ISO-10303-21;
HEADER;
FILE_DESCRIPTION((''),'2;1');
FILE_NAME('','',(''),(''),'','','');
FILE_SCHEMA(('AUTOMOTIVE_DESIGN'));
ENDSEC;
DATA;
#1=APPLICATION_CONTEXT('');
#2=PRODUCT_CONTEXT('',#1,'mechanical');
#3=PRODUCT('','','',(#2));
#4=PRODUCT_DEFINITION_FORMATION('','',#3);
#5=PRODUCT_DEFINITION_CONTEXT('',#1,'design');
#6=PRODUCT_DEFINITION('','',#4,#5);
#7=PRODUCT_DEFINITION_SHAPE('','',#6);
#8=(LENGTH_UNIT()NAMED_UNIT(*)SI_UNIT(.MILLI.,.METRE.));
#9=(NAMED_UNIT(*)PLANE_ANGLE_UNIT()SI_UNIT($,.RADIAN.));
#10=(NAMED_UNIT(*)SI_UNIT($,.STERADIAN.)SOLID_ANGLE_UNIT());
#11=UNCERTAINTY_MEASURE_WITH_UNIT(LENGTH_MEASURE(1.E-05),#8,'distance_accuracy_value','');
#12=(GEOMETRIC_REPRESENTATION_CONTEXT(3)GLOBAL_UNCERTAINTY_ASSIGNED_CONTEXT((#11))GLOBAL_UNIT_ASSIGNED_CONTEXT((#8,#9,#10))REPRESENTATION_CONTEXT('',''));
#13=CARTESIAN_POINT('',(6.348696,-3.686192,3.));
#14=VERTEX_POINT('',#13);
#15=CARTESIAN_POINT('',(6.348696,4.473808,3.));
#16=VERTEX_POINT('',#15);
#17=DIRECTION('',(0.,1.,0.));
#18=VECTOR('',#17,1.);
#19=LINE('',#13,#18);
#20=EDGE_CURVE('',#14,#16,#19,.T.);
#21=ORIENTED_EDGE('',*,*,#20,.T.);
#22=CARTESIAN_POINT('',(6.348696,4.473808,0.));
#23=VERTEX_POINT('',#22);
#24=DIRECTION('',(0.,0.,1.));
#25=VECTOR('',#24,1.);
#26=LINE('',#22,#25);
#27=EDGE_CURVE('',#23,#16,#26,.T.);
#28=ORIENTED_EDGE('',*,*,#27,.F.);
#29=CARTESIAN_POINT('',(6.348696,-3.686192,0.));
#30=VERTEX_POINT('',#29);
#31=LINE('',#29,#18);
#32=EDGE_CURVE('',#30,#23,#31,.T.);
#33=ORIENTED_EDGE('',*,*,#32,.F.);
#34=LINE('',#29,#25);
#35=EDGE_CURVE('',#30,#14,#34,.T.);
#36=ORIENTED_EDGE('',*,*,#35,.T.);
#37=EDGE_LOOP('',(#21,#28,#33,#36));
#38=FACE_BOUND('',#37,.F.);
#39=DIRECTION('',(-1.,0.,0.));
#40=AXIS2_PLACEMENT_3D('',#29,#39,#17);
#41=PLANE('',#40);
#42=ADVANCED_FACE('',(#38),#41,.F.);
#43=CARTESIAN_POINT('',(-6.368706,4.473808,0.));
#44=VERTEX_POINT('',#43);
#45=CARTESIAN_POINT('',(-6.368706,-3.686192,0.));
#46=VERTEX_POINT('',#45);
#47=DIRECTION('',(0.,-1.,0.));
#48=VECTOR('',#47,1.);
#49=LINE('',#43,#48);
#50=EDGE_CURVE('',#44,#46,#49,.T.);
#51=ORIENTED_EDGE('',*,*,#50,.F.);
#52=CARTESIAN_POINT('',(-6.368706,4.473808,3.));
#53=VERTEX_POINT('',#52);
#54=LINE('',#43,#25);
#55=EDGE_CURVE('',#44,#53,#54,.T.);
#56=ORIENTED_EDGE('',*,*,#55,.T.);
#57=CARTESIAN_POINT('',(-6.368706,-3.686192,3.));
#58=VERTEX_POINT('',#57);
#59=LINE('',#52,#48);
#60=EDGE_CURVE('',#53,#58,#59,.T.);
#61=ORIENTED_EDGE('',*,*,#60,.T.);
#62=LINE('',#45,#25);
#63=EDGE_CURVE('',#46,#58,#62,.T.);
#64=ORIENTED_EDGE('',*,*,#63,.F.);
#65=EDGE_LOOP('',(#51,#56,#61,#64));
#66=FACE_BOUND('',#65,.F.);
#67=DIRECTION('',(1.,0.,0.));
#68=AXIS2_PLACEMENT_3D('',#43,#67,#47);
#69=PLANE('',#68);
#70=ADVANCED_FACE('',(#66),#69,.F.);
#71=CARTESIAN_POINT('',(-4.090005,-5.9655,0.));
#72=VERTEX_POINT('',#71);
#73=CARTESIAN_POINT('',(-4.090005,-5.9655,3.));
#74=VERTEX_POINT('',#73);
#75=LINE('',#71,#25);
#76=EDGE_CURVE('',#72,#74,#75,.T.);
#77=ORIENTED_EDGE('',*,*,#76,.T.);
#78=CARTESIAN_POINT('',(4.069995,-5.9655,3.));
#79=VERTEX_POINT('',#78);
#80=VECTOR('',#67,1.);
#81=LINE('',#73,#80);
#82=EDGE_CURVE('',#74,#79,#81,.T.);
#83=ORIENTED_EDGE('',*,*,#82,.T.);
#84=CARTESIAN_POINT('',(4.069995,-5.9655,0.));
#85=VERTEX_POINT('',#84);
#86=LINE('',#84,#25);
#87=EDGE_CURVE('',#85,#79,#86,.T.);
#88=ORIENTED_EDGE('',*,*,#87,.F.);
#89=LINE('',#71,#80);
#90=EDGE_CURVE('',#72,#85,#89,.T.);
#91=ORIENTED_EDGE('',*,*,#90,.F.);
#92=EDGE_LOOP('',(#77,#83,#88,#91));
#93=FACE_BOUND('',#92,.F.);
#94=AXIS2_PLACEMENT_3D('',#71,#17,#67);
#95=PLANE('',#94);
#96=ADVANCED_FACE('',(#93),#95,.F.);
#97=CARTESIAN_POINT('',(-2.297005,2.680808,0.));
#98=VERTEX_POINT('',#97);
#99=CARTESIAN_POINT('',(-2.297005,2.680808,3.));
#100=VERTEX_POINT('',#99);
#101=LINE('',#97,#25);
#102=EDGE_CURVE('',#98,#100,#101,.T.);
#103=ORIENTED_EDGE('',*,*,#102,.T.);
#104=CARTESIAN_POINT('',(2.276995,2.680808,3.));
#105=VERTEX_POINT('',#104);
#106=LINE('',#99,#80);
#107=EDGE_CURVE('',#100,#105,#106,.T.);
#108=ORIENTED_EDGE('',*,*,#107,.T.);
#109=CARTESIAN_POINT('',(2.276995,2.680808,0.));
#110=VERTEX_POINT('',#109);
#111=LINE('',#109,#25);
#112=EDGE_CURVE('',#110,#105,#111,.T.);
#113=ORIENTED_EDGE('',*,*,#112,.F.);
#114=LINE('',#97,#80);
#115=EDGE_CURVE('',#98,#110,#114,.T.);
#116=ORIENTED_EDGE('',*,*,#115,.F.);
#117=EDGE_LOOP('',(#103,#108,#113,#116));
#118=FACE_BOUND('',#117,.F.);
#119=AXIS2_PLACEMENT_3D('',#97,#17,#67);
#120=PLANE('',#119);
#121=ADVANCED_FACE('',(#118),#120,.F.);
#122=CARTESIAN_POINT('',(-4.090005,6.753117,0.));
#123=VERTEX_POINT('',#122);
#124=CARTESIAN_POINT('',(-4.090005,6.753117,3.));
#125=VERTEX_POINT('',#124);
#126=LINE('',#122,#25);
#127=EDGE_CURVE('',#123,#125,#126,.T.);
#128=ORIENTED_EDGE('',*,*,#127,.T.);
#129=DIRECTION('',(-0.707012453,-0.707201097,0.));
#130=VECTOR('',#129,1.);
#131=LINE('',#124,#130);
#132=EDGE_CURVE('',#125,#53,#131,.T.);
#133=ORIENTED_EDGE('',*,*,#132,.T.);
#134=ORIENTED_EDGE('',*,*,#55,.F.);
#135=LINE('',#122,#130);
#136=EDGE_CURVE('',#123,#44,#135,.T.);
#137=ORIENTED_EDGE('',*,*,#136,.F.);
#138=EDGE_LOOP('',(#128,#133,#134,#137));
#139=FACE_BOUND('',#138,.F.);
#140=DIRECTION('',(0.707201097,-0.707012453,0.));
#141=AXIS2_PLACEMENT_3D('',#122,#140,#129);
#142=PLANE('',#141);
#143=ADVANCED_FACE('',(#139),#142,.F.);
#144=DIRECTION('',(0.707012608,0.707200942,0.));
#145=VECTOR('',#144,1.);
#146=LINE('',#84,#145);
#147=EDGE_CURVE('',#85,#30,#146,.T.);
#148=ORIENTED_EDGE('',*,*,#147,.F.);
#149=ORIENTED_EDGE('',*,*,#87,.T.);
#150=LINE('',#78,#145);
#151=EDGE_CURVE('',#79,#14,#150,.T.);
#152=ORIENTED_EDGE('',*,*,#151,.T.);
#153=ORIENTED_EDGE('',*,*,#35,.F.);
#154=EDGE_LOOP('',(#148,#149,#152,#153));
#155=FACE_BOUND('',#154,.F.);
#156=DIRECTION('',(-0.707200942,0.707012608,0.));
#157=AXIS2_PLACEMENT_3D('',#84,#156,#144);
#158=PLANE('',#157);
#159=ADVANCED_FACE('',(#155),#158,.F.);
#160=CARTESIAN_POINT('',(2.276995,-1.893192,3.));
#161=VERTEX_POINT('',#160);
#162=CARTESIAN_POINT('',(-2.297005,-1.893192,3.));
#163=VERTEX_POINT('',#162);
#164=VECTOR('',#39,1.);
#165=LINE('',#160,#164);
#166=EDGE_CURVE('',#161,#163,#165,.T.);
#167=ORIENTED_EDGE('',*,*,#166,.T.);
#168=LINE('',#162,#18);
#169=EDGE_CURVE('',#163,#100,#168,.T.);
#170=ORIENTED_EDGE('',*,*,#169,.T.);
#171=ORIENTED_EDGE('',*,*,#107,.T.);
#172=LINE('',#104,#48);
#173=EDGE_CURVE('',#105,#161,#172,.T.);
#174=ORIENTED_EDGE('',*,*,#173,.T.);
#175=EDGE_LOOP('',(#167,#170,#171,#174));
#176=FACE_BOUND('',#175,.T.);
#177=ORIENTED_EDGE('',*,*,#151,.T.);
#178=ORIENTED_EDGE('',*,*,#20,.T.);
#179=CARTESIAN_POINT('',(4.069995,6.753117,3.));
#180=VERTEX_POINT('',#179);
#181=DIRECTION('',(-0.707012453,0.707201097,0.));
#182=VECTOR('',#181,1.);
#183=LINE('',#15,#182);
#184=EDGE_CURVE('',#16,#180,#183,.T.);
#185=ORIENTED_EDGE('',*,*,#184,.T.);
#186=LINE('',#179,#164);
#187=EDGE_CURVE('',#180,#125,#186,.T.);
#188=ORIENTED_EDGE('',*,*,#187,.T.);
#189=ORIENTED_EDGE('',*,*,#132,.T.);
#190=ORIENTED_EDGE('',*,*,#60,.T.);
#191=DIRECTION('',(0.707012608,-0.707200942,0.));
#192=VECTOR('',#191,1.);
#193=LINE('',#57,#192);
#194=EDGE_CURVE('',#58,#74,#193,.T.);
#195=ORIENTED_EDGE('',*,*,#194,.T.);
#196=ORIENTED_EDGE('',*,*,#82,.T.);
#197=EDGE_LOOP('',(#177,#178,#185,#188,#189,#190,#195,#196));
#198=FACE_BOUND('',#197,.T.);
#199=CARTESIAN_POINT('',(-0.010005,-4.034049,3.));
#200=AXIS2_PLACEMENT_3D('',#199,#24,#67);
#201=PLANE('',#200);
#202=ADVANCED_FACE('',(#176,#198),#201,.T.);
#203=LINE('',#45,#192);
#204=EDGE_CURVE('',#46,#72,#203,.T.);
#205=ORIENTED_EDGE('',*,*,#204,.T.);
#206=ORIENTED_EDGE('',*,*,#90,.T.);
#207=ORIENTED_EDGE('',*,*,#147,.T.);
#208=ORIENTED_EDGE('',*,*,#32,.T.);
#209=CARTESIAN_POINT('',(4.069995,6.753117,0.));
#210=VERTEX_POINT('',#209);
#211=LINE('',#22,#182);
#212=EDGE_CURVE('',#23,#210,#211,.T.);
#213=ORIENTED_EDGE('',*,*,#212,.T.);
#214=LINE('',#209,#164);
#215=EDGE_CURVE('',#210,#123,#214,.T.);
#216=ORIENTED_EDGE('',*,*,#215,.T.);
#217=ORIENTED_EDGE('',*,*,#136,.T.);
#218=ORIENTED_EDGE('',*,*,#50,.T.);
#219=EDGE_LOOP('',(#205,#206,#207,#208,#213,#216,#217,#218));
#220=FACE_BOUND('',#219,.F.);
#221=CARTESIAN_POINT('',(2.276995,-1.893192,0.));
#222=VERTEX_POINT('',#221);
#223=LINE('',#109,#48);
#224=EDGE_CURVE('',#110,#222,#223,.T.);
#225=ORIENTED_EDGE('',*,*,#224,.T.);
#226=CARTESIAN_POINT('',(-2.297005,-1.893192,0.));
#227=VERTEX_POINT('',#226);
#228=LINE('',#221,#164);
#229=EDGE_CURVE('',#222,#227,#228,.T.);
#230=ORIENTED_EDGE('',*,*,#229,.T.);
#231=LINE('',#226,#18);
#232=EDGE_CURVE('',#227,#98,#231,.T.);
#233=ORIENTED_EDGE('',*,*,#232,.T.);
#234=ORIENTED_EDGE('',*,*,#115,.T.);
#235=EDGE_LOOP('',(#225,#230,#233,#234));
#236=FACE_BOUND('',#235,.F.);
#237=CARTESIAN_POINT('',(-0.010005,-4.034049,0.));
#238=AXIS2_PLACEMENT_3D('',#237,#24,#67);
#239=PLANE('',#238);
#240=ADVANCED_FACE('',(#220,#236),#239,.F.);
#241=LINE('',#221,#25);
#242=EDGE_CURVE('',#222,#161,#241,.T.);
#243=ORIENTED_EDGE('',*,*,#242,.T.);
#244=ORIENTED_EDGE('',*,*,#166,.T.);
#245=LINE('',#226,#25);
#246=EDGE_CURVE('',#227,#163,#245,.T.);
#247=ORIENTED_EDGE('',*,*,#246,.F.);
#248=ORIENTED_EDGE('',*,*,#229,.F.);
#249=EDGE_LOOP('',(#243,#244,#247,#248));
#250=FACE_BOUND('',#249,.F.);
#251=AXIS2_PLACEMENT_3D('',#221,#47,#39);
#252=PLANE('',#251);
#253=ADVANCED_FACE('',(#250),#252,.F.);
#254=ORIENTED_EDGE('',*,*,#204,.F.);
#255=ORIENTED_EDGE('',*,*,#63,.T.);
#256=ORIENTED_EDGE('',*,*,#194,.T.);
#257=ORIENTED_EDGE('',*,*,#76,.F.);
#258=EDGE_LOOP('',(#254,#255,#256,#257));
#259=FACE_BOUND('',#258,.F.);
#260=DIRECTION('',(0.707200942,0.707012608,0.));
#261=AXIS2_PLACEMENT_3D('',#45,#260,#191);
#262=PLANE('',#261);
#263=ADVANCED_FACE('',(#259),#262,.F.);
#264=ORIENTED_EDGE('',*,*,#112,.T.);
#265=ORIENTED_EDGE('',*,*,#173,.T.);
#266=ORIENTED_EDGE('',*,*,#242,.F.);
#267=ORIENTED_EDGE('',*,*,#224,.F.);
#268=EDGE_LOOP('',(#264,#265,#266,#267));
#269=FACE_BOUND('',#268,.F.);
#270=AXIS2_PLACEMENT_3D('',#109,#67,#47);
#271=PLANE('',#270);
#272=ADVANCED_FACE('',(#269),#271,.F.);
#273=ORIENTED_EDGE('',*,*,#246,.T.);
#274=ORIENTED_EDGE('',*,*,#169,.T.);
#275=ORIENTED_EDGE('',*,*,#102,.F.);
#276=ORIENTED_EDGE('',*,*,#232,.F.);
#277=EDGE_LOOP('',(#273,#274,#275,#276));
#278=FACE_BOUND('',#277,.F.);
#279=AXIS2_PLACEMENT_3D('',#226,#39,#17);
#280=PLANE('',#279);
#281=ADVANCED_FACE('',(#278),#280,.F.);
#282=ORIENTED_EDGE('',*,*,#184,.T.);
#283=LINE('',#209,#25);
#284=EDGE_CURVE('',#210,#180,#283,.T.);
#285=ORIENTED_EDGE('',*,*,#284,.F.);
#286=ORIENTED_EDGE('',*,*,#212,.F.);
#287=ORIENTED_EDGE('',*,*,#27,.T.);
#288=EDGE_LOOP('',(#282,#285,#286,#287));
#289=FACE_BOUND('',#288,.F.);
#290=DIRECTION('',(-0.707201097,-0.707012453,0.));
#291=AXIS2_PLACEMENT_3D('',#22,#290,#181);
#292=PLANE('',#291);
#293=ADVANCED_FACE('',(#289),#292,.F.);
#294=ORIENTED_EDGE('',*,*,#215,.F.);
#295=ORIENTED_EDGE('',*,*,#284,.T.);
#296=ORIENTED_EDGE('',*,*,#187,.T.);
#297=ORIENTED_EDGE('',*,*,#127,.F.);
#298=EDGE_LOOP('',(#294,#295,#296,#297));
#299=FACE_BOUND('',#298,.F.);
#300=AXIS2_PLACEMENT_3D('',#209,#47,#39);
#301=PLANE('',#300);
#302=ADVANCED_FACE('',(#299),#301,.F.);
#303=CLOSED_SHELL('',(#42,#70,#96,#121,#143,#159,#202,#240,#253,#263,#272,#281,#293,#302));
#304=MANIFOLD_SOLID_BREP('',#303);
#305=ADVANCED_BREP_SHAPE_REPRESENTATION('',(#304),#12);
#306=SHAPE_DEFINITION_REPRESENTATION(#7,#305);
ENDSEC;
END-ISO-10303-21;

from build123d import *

# Parameters (mm, degrees)
F1_DEPTH = 3


with BuildPart() as f1:
    # F0 (on Top) → F1 (new body)
    with BuildSketch(Plane.XY):
        Polygon((-2.297005, -1.893192), (-6.368706, -3.686192), (-4.090005, -5.9655), (4.069995, -5.9655), (6.348696, -3.686192), (2.276995, -1.893192), align=None)
        Polygon((6.348696, -3.686192), (6.348696, 4.473808), (2.276995, 2.680808), (2.276995, -1.893192), align=None)
        Polygon((-2.297005, 2.680808), (-6.368706, 4.473808), (-6.368706, -3.686192), (-2.297005, -1.893192), align=None)
        Polygon((4.069995, 6.753117), (-4.090005, 6.753117), (-6.368706, 4.473808), (-2.297005, 2.680808), (2.276995, 2.680808), (6.348696, 4.473808), align=None)
    extrude(amount=F1_DEPTH)


solid = f1.part
